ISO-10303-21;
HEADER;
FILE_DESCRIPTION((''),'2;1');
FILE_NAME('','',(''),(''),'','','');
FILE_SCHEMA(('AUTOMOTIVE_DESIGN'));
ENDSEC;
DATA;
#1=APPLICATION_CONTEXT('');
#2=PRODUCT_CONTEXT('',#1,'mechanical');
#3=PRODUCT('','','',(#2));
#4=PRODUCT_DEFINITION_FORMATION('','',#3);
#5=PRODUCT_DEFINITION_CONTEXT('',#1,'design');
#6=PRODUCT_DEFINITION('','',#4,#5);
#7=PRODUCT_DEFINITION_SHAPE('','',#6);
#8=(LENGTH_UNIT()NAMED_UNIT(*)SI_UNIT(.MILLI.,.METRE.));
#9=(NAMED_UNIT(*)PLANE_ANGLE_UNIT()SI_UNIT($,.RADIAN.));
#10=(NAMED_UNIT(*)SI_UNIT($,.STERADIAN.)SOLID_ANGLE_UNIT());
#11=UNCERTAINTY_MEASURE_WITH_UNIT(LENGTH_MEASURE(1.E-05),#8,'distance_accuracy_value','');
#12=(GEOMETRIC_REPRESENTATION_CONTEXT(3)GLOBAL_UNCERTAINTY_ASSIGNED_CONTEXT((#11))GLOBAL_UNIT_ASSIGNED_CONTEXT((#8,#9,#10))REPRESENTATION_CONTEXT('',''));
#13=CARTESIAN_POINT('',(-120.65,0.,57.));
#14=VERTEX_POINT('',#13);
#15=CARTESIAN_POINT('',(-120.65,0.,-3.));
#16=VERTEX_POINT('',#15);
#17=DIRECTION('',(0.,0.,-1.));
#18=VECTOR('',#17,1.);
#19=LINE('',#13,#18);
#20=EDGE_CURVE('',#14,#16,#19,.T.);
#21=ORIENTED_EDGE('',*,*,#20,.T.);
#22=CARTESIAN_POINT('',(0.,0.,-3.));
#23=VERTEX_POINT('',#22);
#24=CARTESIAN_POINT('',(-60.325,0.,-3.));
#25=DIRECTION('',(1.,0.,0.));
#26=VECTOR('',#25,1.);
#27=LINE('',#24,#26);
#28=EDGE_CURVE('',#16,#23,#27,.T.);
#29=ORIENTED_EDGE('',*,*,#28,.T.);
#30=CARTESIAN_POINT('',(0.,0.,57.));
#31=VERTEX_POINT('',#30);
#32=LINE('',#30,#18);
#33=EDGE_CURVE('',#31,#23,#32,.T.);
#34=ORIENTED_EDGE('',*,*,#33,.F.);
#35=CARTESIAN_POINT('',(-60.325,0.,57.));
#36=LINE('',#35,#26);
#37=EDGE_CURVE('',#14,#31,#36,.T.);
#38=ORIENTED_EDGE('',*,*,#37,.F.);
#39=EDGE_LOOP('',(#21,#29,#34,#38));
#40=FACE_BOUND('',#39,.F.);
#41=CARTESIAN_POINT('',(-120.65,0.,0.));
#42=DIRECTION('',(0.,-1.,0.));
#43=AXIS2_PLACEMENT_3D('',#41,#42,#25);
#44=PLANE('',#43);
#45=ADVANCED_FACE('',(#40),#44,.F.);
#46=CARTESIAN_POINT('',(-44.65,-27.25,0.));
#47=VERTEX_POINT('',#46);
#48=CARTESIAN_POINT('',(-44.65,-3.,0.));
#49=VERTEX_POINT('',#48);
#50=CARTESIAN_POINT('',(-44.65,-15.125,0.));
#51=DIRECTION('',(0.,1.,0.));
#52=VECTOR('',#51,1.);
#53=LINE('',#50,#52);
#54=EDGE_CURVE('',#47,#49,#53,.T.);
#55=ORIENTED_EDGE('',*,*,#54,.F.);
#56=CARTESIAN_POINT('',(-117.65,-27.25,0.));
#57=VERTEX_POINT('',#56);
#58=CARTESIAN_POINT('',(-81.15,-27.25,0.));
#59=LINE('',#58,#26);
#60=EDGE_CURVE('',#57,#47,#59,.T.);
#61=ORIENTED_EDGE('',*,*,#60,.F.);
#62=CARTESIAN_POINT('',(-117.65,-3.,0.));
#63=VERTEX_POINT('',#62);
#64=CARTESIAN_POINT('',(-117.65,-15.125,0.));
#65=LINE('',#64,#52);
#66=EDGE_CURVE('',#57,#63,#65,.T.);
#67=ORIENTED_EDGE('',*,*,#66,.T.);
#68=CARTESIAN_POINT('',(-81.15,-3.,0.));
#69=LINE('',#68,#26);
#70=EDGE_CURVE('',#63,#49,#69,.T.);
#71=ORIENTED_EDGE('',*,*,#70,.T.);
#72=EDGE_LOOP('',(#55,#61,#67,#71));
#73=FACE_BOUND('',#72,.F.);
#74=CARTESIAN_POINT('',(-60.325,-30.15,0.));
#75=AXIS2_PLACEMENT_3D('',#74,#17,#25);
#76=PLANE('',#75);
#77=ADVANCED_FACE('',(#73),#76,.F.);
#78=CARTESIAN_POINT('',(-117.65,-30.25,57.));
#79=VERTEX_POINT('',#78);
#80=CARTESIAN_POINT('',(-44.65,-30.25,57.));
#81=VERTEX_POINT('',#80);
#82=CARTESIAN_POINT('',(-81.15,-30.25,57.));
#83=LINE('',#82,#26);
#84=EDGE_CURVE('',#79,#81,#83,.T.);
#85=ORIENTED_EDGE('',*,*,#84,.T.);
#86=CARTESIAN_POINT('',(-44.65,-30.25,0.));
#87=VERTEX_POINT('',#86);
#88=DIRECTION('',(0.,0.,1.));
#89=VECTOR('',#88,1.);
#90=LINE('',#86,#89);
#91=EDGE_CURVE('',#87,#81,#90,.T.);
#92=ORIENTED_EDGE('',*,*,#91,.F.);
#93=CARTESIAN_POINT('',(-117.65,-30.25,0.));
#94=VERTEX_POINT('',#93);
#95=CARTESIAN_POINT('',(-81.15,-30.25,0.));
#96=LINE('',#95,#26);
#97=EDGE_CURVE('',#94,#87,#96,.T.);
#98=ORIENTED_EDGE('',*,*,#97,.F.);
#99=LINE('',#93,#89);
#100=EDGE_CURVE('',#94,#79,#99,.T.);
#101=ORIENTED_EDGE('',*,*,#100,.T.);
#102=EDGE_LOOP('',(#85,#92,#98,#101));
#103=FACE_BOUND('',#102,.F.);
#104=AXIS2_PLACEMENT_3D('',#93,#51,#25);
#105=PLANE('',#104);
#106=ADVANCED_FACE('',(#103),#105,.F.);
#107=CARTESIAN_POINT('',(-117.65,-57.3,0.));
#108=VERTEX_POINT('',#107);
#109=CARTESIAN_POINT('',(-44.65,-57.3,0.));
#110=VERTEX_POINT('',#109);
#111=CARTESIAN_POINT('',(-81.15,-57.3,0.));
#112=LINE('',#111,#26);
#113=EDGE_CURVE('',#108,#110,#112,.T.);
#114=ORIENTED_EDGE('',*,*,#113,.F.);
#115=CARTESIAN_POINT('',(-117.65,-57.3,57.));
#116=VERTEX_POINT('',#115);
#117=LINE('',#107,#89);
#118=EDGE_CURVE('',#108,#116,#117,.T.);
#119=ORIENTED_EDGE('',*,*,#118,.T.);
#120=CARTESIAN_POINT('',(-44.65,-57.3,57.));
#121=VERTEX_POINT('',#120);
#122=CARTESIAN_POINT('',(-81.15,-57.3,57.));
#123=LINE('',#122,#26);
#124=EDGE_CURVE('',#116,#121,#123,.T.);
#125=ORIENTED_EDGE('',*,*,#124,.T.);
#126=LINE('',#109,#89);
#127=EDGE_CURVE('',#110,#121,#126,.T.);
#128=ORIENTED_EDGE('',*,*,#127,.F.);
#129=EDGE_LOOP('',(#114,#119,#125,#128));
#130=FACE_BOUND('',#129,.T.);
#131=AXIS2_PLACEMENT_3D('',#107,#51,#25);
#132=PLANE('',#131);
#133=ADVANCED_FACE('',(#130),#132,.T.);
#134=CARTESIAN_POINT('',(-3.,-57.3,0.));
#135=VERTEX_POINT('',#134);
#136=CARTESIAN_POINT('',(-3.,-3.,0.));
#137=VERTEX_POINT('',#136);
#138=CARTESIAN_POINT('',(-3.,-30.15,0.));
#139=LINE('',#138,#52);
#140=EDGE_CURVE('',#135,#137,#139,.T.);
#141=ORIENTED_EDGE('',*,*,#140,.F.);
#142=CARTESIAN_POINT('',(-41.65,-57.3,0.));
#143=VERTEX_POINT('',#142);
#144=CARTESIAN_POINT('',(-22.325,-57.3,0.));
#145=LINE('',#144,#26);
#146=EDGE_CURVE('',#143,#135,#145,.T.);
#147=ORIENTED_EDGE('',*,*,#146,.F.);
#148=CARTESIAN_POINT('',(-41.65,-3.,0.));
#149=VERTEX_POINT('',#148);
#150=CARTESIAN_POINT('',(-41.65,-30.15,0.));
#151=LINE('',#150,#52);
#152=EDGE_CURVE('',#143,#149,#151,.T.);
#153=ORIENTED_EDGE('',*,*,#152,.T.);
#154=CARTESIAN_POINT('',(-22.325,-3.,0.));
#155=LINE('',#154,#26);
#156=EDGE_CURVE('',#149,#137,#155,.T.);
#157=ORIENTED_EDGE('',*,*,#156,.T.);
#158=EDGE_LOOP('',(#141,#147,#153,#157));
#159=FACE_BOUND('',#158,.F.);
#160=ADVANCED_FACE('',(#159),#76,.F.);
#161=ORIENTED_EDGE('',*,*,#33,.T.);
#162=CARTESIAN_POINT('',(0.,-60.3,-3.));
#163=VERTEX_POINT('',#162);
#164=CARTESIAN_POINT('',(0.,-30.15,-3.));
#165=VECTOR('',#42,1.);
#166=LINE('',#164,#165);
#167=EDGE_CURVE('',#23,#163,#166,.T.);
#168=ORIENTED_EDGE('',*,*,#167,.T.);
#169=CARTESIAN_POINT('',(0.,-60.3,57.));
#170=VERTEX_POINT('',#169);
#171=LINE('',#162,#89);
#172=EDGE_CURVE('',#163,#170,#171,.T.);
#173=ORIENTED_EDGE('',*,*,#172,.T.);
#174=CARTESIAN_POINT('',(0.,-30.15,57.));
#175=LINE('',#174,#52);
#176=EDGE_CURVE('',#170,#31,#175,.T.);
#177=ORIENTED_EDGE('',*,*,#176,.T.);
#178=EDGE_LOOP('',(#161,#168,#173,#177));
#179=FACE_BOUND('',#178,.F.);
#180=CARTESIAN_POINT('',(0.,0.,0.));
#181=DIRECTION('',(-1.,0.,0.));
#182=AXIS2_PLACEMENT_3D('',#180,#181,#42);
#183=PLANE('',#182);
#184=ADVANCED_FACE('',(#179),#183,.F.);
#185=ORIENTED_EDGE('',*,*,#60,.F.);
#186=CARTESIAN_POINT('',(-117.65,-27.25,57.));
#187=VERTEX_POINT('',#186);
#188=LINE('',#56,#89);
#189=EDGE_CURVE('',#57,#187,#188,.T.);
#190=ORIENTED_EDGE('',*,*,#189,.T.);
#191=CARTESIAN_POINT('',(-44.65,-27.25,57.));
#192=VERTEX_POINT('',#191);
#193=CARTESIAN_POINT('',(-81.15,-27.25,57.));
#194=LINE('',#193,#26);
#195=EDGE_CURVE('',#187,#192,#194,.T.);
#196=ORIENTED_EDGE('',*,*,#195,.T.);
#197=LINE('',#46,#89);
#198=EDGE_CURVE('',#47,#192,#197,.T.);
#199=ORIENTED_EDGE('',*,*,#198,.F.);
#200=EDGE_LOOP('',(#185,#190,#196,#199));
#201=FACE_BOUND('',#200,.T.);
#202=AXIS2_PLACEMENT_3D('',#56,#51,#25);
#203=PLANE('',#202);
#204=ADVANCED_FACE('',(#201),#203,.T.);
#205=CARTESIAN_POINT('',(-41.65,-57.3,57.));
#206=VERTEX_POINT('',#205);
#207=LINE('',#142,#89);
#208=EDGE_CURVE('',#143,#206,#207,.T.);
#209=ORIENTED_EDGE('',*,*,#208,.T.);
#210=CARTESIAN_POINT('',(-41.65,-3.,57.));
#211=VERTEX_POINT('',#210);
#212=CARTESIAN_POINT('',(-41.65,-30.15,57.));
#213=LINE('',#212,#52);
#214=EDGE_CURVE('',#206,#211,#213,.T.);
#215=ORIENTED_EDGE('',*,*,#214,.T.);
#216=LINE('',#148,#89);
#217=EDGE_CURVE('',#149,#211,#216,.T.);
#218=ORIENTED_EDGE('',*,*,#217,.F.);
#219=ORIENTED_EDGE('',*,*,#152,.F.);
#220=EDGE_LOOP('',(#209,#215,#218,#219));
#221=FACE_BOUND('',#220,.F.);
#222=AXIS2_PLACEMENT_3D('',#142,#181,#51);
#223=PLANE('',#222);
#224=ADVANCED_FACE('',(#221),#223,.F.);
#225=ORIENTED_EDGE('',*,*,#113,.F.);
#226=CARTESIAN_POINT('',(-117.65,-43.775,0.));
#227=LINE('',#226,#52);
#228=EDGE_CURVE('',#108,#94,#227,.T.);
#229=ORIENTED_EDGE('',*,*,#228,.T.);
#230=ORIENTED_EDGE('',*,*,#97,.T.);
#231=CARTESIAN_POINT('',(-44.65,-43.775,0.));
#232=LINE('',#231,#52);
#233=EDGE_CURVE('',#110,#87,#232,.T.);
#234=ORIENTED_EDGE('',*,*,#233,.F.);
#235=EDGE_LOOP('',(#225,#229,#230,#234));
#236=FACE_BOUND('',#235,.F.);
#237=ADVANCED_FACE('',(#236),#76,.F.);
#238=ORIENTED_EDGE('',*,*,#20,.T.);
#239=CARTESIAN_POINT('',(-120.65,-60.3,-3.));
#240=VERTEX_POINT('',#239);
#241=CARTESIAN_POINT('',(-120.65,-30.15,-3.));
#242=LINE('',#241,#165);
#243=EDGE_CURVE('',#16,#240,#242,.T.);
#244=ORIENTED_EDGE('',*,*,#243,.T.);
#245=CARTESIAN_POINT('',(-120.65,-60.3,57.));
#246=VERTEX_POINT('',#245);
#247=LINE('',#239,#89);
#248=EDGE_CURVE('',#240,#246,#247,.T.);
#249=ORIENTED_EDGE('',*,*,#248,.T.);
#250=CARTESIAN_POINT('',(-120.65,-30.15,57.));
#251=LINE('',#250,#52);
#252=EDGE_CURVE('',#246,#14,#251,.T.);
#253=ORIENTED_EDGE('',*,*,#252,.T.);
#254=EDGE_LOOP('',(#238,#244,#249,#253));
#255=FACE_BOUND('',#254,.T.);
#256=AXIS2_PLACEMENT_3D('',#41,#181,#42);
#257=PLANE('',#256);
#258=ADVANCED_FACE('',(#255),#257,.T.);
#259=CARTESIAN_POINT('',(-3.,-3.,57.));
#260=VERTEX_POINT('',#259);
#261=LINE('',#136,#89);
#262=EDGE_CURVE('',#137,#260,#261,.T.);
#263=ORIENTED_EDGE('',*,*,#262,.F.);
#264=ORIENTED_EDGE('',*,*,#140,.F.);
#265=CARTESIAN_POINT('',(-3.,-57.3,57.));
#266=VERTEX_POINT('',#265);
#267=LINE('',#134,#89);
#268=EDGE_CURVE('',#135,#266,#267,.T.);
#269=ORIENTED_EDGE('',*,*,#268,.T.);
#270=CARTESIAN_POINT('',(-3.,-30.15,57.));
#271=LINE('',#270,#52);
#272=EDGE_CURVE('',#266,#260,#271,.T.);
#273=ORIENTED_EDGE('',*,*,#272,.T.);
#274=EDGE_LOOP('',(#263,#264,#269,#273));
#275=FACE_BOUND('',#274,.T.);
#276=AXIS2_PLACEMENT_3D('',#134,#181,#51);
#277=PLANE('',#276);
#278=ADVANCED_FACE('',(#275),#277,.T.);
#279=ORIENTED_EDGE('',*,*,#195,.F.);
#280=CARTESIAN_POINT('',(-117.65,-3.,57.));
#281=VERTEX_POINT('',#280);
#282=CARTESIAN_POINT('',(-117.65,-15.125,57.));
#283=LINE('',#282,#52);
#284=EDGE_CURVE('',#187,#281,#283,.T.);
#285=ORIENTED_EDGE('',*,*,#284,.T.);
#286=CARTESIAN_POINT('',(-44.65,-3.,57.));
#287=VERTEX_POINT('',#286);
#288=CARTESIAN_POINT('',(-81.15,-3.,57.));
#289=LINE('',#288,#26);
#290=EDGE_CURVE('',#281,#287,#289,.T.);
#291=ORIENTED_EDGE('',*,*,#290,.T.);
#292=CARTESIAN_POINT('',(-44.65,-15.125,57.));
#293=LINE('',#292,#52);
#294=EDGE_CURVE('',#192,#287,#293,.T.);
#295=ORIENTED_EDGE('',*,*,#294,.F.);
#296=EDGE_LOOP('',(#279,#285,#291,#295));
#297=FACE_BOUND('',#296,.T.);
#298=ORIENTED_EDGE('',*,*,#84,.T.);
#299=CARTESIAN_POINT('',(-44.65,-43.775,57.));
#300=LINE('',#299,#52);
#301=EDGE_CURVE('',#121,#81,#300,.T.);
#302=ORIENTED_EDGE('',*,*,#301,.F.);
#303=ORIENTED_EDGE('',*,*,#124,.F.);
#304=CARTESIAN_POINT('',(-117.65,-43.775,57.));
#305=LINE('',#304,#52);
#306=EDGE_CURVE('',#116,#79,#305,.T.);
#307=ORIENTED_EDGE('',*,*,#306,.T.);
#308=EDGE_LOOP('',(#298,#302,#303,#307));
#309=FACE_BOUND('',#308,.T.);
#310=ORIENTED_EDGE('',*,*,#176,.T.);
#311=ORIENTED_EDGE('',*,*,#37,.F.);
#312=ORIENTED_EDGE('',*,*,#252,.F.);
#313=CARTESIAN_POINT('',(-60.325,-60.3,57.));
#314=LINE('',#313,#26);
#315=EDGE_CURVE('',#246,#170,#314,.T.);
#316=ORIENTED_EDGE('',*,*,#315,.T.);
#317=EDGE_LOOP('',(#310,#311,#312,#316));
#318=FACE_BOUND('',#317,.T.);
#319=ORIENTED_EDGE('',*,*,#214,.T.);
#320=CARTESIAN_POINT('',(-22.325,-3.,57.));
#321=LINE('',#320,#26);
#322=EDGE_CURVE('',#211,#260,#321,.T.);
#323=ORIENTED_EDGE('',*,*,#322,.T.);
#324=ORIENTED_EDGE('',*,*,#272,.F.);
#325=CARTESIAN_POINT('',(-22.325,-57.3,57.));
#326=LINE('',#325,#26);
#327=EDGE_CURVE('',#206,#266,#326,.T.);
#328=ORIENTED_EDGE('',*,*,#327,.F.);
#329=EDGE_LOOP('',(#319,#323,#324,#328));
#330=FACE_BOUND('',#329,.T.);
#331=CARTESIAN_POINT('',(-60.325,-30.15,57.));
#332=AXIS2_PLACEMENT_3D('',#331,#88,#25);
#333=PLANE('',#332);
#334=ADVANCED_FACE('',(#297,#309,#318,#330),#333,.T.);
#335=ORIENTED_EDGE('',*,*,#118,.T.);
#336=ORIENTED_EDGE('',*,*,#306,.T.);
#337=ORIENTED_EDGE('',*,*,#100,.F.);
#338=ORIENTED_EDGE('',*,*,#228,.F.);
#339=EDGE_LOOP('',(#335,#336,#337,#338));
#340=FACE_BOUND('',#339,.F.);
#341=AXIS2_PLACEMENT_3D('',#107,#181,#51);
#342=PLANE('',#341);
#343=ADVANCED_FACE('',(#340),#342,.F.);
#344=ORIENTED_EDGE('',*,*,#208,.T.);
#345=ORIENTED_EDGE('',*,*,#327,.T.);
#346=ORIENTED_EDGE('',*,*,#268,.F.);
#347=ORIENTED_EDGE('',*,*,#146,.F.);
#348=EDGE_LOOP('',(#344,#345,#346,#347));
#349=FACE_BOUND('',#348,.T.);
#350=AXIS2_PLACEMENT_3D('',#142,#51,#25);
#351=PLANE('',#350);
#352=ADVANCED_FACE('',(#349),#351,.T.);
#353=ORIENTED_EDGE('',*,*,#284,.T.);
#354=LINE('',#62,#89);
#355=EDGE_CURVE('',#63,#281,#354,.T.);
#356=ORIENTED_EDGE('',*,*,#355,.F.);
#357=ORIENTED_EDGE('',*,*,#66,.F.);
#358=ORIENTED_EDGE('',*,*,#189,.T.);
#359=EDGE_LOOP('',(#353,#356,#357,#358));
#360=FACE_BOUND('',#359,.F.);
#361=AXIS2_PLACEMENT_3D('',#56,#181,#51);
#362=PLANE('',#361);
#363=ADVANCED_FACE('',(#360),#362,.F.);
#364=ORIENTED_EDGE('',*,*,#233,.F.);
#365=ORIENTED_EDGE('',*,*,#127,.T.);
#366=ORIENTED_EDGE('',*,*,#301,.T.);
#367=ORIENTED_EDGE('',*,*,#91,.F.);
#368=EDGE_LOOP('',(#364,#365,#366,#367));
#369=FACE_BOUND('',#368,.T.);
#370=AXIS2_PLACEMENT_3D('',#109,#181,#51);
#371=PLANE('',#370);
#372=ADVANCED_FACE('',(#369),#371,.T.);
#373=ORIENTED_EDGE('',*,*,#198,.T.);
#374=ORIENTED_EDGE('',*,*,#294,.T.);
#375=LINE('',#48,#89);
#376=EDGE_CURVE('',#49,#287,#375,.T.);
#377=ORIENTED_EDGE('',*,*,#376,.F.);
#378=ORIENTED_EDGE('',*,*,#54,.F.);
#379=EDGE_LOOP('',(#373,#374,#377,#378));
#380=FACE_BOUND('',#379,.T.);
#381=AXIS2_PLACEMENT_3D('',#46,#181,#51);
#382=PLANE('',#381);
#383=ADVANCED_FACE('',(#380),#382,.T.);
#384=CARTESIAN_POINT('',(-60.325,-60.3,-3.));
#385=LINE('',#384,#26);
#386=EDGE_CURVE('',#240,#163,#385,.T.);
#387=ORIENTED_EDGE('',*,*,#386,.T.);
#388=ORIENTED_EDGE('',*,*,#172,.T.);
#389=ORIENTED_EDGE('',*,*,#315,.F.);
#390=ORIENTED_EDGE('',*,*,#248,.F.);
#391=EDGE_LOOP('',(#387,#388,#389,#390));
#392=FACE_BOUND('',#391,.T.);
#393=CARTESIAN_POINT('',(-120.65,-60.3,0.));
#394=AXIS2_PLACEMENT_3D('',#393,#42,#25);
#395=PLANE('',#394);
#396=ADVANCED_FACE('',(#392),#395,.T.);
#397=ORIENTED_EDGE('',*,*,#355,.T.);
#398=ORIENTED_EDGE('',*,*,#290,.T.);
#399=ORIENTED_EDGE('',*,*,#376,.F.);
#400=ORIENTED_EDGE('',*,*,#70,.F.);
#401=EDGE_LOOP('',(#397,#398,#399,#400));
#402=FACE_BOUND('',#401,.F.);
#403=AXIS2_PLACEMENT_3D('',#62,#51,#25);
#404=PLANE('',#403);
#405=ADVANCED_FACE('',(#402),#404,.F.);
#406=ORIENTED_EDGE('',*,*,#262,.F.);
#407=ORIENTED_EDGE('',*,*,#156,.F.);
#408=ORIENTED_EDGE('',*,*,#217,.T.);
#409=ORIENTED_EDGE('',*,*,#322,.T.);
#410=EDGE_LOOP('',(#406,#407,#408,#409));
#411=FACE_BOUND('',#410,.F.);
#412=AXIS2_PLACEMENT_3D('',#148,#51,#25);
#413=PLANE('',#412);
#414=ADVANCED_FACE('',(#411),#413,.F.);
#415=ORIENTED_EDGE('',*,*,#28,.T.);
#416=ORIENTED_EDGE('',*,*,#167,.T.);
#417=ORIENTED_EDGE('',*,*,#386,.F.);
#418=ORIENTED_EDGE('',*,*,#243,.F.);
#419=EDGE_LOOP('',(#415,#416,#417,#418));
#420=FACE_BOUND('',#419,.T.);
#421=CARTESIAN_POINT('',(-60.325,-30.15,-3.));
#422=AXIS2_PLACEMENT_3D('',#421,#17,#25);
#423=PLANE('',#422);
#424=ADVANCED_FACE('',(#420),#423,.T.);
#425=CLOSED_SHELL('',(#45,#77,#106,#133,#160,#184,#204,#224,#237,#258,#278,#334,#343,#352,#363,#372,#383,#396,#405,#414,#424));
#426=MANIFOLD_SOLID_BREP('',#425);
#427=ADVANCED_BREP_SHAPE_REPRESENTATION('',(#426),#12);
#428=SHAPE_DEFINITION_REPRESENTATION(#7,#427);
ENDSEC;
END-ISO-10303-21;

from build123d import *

# Parameters (mm, degrees)
F0_W     = 120.65
F0_H     = 60.3
F0_W_2   = 73
F0_H_2   = 27.05
F0_H_3   = 24.25
F0_W_3   = 38.65
F0_H_4   = 54.3
F1_DEPTH = 57
F2_W     = 120.65
F2_H     = 60.3
F2_W_2   = 73
F2_H_2   = 24.25
F2_H_3   = 27.05
F2_W_3   = 38.65
F2_H_4   = 54.3
F3_DEPTH = 3


with BuildPart() as f1:
    # F0 (on Top) → F1 (new body)
    with BuildSketch(Plane.XY):
        with Locations((-60.325, -30.15)):
            Rectangle(F0_W, F0_H)
        with Locations((-81.15, -43.775)):
            Rectangle(F0_W_2, F0_H_2, mode=Mode.SUBTRACT)
        with Locations((-81.15, -15.125)):
            Rectangle(F0_W_2, F0_H_3, mode=Mode.SUBTRACT)
        with Locations((-22.325, -30.15)):
            Rectangle(F0_W_3, F0_H_4, mode=Mode.SUBTRACT)
    extrude(amount=F1_DEPTH)

    # F2 (on face) → F3 (join)
    with BuildSketch(Plane(origin=(0, 0, 0), x_dir=(1, 0, 0), z_dir=(0, 0, -1))):
        with Locations((-60.325, 30.15)):
            Rectangle(F2_W, F2_H)
        with Locations((-81.15, 15.125)):
            Rectangle(F2_W_2, F2_H_2, mode=Mode.SUBTRACT)
        with Locations((-81.15, 43.775)):
            Rectangle(F2_W_2, F2_H_3, mode=Mode.SUBTRACT)
        with Locations((-22.325, 30.15)):
            Rectangle(F2_W_3, F2_H_4, mode=Mode.SUBTRACT)
        with Locations((-81.15, 43.775)):
            Rectangle(F2_W_2, F2_H_3)
        with Locations((-81.15, 15.125)):
            Rectangle(F2_W_2, F2_H_2)
        with Locations((-22.325, 30.15)):
            Rectangle(F2_W_3, F2_H_4)
    extrude(amount=F3_DEPTH)


solid = f1.part
